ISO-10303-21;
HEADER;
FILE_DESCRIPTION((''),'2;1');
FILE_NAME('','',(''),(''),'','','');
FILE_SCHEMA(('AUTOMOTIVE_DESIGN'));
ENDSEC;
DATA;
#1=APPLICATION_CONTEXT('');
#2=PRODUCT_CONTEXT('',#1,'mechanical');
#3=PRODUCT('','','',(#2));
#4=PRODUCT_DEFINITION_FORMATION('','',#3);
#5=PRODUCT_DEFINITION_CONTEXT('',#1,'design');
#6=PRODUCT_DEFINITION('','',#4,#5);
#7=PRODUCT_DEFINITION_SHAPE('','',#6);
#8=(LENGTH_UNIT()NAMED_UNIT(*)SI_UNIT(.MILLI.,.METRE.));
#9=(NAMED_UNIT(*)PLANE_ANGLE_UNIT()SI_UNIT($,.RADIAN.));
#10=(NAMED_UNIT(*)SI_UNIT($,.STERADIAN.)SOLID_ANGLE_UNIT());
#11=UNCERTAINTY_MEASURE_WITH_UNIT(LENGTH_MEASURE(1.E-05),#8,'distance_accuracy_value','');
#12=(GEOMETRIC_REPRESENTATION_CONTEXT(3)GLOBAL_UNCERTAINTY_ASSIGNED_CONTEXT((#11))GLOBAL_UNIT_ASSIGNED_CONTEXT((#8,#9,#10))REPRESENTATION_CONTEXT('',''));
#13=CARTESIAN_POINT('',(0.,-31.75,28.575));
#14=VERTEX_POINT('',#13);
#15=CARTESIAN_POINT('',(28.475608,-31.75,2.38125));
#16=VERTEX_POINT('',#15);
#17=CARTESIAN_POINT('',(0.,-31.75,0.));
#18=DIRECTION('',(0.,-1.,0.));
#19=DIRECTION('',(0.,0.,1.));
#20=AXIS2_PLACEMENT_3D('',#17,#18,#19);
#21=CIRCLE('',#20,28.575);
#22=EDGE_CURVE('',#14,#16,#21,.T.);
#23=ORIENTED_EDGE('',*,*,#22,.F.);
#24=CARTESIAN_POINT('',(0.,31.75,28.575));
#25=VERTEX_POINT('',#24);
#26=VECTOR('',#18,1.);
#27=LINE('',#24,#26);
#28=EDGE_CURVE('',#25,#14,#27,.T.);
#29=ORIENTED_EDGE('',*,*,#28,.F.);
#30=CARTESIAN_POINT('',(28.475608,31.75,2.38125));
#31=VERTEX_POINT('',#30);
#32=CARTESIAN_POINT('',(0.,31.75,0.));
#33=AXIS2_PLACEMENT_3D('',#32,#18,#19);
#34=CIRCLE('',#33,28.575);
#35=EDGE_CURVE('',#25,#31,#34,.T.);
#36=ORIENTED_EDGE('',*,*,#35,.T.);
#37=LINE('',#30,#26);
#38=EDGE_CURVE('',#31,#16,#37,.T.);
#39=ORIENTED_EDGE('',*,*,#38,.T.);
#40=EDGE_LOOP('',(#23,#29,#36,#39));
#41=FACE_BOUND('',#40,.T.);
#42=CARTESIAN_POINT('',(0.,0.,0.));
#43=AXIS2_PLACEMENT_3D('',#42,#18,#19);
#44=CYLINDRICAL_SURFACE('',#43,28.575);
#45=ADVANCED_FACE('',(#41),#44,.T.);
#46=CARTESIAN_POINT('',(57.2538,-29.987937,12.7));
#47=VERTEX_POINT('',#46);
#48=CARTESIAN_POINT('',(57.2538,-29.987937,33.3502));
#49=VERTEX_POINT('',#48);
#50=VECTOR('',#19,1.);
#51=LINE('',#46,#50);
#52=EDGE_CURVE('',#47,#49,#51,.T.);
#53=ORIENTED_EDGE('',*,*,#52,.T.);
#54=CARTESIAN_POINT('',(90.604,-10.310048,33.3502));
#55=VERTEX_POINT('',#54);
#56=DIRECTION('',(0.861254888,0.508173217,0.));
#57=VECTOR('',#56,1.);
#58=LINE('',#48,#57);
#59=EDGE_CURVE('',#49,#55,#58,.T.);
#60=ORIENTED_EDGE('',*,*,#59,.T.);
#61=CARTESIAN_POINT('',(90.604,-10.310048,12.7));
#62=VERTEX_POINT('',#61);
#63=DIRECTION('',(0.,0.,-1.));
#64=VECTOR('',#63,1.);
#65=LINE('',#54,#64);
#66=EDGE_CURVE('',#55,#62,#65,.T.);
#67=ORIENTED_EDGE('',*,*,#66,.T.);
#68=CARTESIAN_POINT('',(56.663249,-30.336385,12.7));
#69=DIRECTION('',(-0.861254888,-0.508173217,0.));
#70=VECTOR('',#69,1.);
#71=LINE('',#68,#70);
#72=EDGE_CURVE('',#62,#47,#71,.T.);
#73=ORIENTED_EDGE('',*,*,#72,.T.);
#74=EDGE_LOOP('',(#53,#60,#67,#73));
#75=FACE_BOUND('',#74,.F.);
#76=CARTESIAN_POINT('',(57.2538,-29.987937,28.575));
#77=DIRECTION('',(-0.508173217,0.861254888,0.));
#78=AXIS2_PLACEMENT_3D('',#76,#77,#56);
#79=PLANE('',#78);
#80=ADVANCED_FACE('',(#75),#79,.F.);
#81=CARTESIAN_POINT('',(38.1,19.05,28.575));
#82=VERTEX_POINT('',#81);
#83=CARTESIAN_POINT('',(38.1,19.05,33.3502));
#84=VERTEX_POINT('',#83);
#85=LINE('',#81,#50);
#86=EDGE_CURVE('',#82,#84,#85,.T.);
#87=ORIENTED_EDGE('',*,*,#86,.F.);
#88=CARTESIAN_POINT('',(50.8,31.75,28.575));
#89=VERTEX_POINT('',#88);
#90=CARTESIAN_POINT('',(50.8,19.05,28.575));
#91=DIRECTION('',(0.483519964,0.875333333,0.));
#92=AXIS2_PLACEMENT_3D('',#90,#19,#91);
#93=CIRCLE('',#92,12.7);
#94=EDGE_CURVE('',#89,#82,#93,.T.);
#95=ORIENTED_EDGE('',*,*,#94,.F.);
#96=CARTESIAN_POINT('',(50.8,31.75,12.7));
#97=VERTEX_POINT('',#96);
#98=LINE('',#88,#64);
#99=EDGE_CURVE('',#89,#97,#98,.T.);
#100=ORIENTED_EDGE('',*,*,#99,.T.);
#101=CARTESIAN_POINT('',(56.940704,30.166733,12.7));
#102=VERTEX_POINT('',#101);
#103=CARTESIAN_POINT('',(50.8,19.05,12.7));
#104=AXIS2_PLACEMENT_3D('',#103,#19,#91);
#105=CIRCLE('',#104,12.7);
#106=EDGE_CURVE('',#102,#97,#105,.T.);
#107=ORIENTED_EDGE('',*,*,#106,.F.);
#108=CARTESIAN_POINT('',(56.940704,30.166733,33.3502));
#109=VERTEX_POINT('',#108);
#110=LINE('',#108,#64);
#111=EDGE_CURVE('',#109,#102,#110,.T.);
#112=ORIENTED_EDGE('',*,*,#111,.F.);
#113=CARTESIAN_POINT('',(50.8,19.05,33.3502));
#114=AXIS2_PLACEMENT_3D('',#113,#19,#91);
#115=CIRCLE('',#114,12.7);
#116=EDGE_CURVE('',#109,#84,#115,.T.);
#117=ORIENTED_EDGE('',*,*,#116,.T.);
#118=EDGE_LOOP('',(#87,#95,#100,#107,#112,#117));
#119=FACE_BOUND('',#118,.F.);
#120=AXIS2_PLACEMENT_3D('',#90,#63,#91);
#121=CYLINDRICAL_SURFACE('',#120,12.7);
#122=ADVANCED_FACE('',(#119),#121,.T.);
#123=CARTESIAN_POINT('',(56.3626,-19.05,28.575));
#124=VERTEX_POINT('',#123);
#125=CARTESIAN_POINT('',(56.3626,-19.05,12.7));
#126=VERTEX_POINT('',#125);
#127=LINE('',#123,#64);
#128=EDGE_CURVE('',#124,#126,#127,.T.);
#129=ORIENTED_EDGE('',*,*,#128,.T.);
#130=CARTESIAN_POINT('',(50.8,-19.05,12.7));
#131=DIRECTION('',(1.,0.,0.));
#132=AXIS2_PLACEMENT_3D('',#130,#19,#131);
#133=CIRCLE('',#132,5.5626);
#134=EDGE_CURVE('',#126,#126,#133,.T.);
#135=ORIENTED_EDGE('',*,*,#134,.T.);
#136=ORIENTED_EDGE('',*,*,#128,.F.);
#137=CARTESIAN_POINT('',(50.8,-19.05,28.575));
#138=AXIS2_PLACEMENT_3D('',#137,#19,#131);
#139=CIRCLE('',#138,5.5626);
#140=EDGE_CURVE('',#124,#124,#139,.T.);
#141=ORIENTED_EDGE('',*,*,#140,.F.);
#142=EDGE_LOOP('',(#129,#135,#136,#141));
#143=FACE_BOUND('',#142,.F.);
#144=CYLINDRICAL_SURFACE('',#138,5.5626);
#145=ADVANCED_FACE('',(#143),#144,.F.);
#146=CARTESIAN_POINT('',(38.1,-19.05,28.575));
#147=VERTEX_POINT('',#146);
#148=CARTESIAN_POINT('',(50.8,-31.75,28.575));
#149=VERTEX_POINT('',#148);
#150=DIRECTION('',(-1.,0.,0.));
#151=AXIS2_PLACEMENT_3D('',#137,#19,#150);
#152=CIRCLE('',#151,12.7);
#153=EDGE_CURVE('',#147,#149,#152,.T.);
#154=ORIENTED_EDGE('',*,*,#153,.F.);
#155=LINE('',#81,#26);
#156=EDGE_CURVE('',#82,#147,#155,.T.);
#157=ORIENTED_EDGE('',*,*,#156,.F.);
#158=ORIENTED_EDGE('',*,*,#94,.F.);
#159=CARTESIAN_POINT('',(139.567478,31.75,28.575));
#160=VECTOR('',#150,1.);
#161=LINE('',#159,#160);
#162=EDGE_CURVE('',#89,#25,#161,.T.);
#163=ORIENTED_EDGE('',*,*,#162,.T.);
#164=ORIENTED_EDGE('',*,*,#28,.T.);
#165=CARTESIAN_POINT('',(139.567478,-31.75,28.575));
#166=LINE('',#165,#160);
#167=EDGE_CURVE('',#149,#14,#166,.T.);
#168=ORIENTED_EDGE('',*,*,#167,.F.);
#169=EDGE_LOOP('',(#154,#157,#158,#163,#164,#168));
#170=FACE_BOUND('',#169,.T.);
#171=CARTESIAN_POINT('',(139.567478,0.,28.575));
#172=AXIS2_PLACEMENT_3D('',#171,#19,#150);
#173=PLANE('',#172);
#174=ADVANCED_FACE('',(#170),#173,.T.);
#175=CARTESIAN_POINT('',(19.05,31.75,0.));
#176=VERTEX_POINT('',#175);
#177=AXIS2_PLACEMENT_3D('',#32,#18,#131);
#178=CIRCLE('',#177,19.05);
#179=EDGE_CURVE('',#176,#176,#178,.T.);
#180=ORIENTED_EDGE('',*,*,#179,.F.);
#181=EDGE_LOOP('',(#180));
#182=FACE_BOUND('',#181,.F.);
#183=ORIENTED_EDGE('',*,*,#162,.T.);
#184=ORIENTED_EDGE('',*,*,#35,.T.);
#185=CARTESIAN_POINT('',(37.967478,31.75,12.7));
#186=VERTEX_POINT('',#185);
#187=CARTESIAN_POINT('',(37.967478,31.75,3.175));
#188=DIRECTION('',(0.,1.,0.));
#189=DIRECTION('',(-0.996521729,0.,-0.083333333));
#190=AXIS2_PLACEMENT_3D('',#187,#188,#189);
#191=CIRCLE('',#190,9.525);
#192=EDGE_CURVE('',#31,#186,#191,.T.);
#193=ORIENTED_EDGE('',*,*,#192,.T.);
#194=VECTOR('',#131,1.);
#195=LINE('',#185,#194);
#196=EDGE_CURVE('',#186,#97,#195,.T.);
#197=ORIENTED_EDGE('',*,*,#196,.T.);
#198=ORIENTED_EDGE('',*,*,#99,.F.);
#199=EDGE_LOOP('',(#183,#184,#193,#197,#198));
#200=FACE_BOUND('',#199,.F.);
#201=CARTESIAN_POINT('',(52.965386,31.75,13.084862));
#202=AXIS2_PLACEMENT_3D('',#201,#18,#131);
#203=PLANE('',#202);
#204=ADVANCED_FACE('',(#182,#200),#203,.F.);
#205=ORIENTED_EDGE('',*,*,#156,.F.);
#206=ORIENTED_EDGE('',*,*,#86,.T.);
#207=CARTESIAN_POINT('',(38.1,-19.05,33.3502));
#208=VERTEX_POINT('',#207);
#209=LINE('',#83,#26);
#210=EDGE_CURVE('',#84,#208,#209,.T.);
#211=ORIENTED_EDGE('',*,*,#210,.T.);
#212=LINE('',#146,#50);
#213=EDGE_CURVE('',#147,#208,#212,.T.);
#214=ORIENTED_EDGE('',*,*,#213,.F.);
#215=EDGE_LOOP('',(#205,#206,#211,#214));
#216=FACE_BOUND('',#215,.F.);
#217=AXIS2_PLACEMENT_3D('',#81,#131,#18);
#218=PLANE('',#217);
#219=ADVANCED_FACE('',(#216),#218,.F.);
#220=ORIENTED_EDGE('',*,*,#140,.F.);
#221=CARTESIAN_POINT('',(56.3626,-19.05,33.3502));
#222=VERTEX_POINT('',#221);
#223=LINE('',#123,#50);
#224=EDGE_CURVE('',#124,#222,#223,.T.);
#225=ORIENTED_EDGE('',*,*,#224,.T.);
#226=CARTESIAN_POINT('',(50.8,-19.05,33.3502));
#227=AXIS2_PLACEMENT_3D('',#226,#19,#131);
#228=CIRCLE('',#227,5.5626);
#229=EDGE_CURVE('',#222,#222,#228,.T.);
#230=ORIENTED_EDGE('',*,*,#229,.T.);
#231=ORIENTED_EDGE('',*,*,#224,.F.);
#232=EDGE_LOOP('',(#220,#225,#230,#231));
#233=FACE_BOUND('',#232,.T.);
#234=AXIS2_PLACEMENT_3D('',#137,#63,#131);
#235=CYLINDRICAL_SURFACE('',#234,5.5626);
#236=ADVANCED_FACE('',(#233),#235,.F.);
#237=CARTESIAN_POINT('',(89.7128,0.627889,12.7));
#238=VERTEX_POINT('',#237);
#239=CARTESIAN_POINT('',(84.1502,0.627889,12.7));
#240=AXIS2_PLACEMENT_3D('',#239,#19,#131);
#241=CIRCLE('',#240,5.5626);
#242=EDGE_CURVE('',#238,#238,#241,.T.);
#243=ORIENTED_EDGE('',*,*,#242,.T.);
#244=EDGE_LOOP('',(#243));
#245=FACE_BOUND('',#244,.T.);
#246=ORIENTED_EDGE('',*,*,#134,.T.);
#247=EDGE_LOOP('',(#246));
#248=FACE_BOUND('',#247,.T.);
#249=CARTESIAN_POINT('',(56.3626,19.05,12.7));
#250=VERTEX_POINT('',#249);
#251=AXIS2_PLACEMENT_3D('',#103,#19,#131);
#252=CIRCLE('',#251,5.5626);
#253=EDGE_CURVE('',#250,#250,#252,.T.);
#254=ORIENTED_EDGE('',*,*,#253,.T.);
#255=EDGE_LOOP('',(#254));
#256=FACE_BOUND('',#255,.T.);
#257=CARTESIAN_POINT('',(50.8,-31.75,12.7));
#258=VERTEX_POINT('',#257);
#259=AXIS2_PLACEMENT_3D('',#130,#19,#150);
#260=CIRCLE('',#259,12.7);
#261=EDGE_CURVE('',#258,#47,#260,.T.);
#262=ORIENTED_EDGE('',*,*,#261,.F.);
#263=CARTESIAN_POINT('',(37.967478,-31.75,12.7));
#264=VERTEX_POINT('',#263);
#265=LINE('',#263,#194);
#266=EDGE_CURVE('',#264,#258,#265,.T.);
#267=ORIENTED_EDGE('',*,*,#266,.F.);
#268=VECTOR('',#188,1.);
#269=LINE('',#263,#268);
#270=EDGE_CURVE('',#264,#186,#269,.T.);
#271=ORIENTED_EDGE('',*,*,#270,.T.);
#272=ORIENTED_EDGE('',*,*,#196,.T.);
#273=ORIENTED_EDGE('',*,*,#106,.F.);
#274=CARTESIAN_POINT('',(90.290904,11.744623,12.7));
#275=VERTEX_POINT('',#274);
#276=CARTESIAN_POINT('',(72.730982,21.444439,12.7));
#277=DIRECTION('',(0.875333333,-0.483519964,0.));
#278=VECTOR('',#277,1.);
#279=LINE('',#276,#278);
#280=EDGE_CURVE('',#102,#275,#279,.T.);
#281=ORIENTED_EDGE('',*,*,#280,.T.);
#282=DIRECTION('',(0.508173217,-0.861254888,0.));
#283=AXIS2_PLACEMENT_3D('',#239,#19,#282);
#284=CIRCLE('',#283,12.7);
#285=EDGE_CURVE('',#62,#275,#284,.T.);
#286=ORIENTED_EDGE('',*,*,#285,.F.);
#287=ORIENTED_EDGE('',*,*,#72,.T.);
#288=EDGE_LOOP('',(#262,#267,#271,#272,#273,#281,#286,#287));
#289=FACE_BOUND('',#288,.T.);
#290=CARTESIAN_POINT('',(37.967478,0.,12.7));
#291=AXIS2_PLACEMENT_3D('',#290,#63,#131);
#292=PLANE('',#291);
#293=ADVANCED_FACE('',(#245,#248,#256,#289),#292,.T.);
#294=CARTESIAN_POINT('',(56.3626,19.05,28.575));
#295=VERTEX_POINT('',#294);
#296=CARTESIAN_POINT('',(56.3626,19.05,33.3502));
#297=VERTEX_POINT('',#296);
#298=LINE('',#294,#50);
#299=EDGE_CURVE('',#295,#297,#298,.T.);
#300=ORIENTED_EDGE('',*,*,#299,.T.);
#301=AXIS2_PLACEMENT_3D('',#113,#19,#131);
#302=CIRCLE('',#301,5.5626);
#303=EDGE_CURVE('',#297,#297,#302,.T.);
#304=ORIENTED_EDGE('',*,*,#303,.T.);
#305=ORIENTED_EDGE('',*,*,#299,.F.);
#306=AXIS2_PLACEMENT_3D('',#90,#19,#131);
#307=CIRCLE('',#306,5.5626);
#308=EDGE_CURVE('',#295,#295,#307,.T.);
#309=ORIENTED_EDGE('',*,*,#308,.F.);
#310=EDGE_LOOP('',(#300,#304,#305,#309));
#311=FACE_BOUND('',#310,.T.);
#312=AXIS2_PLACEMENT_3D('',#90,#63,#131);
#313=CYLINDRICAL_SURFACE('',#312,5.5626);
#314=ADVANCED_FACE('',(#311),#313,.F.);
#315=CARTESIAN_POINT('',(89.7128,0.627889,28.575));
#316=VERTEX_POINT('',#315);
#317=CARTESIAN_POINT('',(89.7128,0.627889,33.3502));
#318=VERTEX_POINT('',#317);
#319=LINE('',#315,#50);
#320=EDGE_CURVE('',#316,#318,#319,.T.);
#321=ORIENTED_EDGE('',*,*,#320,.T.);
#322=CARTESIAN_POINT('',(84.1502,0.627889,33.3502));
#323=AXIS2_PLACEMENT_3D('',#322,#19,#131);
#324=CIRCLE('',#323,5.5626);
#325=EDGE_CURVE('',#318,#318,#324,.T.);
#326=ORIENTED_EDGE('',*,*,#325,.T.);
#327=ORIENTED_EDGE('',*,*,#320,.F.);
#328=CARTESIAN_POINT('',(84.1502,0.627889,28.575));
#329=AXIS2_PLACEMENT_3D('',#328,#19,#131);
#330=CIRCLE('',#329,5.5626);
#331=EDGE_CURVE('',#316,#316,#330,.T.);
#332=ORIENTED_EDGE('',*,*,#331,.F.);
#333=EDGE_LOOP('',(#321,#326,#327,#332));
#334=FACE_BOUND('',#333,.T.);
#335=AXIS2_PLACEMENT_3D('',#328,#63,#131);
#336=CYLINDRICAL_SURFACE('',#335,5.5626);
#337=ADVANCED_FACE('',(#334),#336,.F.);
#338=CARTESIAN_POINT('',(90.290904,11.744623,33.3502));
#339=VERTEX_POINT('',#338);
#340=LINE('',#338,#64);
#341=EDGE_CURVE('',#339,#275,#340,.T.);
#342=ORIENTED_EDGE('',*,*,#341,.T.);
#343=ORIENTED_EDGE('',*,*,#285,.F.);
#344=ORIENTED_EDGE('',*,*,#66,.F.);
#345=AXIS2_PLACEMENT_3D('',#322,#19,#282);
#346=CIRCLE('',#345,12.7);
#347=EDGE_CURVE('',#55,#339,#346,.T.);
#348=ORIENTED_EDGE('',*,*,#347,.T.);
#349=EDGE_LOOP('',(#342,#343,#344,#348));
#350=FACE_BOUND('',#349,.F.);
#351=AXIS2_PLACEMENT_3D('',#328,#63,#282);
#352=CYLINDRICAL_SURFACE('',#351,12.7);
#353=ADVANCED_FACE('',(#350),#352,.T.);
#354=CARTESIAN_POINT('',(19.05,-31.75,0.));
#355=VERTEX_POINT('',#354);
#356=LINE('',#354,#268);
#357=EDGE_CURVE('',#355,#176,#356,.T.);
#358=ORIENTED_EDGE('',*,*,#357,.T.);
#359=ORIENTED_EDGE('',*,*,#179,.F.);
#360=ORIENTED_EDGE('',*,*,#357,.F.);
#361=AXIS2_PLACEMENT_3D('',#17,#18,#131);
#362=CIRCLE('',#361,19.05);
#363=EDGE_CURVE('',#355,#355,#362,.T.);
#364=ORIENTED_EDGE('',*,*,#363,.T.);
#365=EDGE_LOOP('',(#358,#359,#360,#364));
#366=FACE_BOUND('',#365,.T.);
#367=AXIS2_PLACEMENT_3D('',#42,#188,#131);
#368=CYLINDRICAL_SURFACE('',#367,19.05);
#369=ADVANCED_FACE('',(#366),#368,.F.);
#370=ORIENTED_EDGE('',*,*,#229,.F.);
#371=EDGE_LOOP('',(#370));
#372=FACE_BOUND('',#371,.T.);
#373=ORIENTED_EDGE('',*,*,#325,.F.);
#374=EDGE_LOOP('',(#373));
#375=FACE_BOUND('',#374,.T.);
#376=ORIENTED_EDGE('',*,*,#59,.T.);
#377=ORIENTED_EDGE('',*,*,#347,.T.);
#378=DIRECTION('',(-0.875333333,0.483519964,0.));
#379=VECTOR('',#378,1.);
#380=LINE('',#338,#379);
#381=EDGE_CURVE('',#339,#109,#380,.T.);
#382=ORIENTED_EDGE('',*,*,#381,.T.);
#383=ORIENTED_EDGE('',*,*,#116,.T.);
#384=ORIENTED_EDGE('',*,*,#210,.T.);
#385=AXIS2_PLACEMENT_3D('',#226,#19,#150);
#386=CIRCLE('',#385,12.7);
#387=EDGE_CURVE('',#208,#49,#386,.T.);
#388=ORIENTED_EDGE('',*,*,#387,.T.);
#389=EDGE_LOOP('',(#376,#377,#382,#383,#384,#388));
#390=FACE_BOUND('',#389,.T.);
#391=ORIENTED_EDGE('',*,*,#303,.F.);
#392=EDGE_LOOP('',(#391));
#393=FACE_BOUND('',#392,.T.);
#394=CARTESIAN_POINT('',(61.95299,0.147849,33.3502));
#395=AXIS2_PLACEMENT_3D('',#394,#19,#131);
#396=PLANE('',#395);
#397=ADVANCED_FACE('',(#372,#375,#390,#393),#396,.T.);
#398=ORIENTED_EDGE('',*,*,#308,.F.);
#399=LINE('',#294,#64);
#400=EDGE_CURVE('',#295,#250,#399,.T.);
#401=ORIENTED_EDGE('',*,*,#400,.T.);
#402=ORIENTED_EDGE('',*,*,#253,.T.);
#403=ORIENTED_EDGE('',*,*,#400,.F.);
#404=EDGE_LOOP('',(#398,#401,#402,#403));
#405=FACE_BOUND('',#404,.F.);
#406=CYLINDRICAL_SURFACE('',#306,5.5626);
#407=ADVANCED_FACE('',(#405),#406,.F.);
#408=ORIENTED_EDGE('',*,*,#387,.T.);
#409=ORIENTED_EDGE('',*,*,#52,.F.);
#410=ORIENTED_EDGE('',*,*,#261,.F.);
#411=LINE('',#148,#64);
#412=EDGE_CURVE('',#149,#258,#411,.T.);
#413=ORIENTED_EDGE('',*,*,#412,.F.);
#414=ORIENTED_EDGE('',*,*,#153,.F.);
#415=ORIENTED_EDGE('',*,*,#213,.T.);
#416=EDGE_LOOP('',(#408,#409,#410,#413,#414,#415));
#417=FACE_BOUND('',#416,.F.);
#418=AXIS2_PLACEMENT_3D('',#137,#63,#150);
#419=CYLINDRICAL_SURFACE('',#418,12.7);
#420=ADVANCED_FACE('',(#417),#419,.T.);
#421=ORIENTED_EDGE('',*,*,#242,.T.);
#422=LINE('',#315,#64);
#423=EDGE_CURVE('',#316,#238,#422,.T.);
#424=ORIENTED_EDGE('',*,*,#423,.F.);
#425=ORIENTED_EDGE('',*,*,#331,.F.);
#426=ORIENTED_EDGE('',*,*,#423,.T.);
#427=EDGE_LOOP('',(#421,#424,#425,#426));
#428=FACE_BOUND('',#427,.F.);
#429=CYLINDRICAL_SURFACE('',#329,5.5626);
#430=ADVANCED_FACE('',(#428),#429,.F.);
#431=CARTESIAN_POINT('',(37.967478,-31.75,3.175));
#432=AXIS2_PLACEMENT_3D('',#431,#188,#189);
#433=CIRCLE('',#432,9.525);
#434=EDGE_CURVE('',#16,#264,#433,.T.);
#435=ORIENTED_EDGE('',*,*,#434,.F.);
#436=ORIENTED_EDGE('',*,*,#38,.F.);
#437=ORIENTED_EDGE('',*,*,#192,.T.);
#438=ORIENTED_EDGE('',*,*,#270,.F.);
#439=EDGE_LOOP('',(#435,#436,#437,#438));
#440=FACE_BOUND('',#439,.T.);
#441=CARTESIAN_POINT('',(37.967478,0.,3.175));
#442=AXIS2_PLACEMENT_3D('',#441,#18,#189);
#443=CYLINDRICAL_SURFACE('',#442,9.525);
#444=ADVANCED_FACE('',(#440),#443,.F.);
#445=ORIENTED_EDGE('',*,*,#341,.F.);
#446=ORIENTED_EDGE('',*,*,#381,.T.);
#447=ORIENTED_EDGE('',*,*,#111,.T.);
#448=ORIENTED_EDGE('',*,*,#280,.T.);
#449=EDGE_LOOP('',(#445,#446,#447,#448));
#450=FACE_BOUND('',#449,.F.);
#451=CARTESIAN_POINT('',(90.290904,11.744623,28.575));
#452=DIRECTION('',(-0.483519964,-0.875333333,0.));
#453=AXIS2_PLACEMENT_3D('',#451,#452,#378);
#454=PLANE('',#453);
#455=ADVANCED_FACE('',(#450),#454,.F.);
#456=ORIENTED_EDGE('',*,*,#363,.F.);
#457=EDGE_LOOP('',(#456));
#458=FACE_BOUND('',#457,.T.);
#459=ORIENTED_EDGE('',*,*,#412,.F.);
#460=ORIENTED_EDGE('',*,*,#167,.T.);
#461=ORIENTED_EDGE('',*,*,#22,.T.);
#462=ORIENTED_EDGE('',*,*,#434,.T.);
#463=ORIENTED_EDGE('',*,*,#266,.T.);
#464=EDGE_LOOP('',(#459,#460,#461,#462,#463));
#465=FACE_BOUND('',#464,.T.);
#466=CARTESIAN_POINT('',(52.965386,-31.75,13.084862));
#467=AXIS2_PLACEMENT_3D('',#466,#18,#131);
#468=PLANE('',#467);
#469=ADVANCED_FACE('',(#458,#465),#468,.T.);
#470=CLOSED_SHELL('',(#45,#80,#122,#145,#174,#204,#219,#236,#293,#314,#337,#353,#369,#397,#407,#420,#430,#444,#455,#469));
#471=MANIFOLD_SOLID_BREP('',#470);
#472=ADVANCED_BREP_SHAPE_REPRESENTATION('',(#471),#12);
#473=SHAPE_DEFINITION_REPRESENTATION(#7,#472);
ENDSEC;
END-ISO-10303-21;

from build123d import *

# Parameters (mm, degrees)
F0_R     = 19.05
F1_DEPTH = 31.75
F2_R     = 5.5626
F3_DEPTH = 4.7752
F4_DEPTH = 57.151


with BuildPart() as f1:
    # F0 (on Front) → F1 (new body, symmetric)
    with BuildSketch(Plane.XZ):
        with BuildLine():
            Line((139.5674778593, 28.575), (0, 28.575))
            ThreePointArc((0, 28.575), (-19.345366451, -21.0306305629), (28.4756083945, 2.38125))
            ThreePointArc((28.4756083945, 2.38125), (30.9572676717, 9.6234554837), (37.9674778593, 12.7))
            Line((37.9674778593, 12.7), (139.5674778593, 12.7))
            Line((139.5674778593, 12.7), (139.5674778593, 28.575))
        make_face()
        Circle(F0_R, mode=Mode.SUBTRACT)
    extrude(amount=F1_DEPTH, both=True)

    # F2 (on face) → F3 (join)
    with BuildSketch(Plane.XY.offset(28.575)):
        with BuildLine():
            ThreePointArc((56.9407035424, 30.1667333333), (44.3462001498, 29.9879370767), (38.1, 19.05))
            Line((38.1, 19.05), (38.1, -19.05))
            ThreePointArc((38.1, -19.05), (44.5021137711, -30.078446357), (57.2537998502, -29.9879370767))
            Line((57.2537998502, -29.9879370767), (90.6039998502, -10.3100477039))
            ThreePointArc((90.6039998502, -10.3100477039), (96.8489204336, 0.8081651333), (90.2909035424, 11.7446227062))
            Line((90.2909035424, 11.7446227062), (56.9407035424, 30.1667333333))
        make_face()
        with Locations((50.8, -19.05)):
            Circle(F2_R, mode=Mode.SUBTRACT)
        with Locations((50.8, 19.05)):
            Circle(F2_R, mode=Mode.SUBTRACT)
        with Locations((84.1502, 0.6278893728)):
            Circle(F2_R, mode=Mode.SUBTRACT)
    extrude(amount=F3_DEPTH)

    # F4 (cut, through all): faces of the model
    f4_faces = [f1.faces().sort_by_distance(p)[0] for p in [
        (50.8, 19.05, 28.575),
        (84.1502, 0.6278893728, 28.575),
        (50.8, -19.05, 28.575),
        (108.2569186548, -0.1131496347, 28.575),
    ]]
    extrude(f4_faces, amount=-F4_DEPTH, mode=Mode.SUBTRACT)


solid = f1.part
